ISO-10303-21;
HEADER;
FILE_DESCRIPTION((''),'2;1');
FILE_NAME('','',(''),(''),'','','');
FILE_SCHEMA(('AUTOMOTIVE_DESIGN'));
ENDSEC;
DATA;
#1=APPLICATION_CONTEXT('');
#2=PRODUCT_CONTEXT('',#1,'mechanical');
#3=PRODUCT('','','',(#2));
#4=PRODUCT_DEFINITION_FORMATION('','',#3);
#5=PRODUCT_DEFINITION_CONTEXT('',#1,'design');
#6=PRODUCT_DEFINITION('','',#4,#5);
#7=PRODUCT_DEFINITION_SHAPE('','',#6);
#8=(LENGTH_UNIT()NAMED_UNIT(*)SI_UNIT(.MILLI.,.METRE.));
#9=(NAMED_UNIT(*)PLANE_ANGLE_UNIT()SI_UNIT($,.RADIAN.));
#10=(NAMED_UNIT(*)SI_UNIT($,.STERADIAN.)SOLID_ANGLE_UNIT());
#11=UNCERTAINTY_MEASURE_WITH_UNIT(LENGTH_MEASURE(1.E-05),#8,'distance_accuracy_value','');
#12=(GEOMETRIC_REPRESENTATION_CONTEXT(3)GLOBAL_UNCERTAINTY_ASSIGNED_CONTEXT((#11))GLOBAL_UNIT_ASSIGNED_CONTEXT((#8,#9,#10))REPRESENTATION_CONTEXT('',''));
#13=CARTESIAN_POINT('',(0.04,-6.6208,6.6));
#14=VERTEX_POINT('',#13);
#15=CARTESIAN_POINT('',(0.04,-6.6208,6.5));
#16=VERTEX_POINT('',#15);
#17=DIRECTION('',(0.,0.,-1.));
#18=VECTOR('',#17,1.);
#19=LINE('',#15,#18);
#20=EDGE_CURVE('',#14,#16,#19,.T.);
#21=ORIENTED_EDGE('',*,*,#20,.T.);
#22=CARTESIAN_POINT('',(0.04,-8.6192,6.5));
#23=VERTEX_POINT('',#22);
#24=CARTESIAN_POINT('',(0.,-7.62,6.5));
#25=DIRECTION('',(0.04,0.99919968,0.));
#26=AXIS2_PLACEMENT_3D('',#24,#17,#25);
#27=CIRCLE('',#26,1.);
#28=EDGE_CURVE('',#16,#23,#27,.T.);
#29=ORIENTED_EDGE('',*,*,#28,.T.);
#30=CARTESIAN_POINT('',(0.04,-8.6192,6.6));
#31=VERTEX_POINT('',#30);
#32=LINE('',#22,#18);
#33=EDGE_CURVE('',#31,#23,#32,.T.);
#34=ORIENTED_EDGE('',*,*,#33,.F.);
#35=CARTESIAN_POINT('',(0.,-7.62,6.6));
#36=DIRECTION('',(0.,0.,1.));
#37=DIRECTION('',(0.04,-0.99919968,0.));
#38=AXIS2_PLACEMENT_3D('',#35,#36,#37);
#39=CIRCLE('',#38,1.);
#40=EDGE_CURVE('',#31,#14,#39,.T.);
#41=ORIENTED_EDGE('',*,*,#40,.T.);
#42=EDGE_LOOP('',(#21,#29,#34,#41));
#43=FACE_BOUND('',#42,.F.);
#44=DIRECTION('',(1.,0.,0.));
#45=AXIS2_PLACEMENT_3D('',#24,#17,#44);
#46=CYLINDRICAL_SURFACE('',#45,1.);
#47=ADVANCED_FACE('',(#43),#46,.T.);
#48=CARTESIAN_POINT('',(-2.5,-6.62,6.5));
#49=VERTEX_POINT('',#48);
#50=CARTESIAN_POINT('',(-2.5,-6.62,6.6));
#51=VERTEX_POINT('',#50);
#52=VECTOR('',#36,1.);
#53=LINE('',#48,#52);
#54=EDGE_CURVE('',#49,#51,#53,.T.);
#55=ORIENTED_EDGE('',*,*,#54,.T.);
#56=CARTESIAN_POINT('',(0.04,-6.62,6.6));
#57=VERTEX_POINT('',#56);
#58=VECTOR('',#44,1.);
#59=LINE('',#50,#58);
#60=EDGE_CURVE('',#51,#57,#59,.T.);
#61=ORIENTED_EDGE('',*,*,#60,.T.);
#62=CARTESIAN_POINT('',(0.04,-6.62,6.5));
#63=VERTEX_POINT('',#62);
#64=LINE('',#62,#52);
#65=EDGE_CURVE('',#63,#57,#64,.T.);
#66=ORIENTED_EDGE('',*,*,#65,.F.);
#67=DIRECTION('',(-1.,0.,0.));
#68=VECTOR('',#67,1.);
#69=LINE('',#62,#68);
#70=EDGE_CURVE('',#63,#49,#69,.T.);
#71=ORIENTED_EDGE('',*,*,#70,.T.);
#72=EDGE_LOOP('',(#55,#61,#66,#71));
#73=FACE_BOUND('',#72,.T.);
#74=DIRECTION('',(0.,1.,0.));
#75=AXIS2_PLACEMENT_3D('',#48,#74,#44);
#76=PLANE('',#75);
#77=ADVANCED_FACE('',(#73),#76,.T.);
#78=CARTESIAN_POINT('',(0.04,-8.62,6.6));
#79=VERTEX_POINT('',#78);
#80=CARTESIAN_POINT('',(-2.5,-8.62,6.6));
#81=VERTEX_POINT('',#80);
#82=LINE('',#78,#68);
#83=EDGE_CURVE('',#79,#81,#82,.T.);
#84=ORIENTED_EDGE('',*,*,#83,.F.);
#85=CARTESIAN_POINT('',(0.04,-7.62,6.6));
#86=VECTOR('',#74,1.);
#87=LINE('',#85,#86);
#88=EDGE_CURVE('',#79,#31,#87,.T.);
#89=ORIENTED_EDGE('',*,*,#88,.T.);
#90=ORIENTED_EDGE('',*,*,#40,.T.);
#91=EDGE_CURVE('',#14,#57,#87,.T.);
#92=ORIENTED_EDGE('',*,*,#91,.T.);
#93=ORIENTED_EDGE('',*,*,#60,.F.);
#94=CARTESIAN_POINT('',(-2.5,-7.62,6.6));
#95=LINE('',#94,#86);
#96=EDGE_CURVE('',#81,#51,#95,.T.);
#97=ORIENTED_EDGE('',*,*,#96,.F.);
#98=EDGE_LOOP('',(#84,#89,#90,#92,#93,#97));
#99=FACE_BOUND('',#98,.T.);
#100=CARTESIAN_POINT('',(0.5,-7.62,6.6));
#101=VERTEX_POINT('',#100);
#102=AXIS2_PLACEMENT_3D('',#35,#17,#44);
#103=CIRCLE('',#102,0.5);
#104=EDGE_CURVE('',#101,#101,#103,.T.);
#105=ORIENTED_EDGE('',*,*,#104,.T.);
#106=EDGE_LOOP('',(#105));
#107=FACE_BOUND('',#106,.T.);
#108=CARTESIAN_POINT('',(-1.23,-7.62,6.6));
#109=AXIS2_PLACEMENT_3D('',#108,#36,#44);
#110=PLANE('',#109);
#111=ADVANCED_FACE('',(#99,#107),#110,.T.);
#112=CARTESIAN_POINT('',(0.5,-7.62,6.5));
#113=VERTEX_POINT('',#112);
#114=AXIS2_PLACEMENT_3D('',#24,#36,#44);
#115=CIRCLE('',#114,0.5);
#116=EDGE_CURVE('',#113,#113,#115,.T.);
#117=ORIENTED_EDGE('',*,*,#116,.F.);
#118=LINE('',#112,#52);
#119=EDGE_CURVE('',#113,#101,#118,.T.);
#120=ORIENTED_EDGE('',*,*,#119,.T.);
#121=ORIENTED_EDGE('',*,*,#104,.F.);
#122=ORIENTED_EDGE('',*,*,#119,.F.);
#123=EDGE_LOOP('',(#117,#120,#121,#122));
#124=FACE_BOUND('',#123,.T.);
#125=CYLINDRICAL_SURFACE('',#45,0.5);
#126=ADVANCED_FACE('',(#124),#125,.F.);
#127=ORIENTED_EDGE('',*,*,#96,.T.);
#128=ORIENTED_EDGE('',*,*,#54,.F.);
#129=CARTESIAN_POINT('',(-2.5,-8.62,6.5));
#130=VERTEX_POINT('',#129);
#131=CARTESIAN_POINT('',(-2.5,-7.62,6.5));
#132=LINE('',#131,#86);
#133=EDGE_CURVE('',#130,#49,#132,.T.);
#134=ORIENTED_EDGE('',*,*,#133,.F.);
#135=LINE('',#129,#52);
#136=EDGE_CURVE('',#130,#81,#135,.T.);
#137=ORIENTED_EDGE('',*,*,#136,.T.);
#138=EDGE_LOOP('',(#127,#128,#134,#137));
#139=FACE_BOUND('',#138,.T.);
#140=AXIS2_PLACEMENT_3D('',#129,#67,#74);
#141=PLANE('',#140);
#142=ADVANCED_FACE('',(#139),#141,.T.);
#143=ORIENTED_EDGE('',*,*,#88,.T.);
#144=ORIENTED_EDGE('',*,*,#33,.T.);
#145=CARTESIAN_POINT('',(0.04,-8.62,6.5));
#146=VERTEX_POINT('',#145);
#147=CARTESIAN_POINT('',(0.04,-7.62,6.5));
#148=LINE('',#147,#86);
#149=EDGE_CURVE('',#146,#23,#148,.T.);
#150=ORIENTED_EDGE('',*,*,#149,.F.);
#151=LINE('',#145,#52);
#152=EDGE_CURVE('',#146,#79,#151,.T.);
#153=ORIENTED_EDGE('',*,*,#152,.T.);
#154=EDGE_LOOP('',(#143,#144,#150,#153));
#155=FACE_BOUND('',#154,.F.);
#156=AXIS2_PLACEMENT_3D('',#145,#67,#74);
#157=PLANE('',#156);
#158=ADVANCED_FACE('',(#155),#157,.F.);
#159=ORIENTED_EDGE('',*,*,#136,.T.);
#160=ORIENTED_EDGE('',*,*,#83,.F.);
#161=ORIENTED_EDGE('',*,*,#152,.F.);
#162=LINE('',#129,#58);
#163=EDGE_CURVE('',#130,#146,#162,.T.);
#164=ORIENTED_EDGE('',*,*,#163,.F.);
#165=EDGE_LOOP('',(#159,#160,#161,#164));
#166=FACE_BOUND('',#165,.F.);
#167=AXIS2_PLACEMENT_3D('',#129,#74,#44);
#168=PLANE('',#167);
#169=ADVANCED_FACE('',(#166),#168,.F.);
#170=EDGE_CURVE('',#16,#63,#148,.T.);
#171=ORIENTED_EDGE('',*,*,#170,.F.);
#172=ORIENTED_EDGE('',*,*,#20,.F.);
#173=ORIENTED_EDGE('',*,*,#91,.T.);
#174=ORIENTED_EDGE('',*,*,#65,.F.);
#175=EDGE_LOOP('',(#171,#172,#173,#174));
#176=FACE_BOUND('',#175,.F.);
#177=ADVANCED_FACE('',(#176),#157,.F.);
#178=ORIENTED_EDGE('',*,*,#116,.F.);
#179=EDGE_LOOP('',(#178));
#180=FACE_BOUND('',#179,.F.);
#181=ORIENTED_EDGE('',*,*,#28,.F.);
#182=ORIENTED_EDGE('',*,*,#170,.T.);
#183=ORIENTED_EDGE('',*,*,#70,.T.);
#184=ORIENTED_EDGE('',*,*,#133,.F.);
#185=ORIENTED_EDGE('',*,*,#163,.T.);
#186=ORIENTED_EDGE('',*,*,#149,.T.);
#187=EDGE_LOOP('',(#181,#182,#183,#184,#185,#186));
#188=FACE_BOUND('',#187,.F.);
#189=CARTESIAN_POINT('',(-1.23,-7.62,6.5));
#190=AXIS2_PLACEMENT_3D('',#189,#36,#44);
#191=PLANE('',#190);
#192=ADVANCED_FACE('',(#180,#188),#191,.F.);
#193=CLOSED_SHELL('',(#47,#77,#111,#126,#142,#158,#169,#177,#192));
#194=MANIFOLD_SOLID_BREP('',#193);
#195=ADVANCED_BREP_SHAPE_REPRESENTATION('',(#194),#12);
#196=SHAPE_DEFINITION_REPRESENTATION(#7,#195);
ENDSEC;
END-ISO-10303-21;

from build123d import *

# Parameters (mm, degrees)
CYLINDER011_R     = 0.5
CYLINDER011_DEPTH = 0.1
BOX006_W          = 2.54
BOX006_H          = 2
BOX006_DEPTH      = 0.1
CYLINDER010_R     = 0.5
CYLINDER010_DEPTH = 0.1
CYLINDER009_R     = 1
CYLINDER009_DEPTH = 0.1


with BuildPart() as cylinder011:
    # Cylinder011 → Cylinder011 (new body)
    with BuildSketch(Plane.XY.offset(1)):
        Circle(CYLINDER011_R)
    extrude(amount=CYLINDER011_DEPTH)


with BuildPart() as cut008:
    # Box006 → Box006 (new body)
    with BuildSketch(Plane(origin=(-2.5, -1, 1), x_dir=(1, 0, 0), z_dir=(0, 0, 1))):
        with Locations((1.27, 1)):
            Rectangle(BOX006_W, BOX006_H)
    extrude(amount=BOX006_DEPTH)

    # Cut008: cut Cylinder011
    add(cylinder011.part, mode=Mode.SUBTRACT)


with BuildPart() as cylinder010:
    # Cylinder010 → Cylinder010 (new body)
    with BuildSketch(Plane.XY.offset(1)):
        Circle(CYLINDER010_R)
    extrude(amount=CYLINDER010_DEPTH)


with BuildPart() as fusion003:
    # Cylinder009 → Cylinder009 (new body)
    with BuildSketch(Plane.XY.offset(1)):
        Circle(CYLINDER009_R)
    extrude(amount=CYLINDER009_DEPTH)

    # Cut007: cut Cylinder010
    add(cylinder010.part, mode=Mode.SUBTRACT)

    # Fusion003: union Cut008
    add(cut008.part)


with BuildPart() as fusion003_1:
    # Fusion003 placement: moved
    add(fusion003.part.moved(Location((0, -7.62, 5.5))))


solid = fusion003_1.part
